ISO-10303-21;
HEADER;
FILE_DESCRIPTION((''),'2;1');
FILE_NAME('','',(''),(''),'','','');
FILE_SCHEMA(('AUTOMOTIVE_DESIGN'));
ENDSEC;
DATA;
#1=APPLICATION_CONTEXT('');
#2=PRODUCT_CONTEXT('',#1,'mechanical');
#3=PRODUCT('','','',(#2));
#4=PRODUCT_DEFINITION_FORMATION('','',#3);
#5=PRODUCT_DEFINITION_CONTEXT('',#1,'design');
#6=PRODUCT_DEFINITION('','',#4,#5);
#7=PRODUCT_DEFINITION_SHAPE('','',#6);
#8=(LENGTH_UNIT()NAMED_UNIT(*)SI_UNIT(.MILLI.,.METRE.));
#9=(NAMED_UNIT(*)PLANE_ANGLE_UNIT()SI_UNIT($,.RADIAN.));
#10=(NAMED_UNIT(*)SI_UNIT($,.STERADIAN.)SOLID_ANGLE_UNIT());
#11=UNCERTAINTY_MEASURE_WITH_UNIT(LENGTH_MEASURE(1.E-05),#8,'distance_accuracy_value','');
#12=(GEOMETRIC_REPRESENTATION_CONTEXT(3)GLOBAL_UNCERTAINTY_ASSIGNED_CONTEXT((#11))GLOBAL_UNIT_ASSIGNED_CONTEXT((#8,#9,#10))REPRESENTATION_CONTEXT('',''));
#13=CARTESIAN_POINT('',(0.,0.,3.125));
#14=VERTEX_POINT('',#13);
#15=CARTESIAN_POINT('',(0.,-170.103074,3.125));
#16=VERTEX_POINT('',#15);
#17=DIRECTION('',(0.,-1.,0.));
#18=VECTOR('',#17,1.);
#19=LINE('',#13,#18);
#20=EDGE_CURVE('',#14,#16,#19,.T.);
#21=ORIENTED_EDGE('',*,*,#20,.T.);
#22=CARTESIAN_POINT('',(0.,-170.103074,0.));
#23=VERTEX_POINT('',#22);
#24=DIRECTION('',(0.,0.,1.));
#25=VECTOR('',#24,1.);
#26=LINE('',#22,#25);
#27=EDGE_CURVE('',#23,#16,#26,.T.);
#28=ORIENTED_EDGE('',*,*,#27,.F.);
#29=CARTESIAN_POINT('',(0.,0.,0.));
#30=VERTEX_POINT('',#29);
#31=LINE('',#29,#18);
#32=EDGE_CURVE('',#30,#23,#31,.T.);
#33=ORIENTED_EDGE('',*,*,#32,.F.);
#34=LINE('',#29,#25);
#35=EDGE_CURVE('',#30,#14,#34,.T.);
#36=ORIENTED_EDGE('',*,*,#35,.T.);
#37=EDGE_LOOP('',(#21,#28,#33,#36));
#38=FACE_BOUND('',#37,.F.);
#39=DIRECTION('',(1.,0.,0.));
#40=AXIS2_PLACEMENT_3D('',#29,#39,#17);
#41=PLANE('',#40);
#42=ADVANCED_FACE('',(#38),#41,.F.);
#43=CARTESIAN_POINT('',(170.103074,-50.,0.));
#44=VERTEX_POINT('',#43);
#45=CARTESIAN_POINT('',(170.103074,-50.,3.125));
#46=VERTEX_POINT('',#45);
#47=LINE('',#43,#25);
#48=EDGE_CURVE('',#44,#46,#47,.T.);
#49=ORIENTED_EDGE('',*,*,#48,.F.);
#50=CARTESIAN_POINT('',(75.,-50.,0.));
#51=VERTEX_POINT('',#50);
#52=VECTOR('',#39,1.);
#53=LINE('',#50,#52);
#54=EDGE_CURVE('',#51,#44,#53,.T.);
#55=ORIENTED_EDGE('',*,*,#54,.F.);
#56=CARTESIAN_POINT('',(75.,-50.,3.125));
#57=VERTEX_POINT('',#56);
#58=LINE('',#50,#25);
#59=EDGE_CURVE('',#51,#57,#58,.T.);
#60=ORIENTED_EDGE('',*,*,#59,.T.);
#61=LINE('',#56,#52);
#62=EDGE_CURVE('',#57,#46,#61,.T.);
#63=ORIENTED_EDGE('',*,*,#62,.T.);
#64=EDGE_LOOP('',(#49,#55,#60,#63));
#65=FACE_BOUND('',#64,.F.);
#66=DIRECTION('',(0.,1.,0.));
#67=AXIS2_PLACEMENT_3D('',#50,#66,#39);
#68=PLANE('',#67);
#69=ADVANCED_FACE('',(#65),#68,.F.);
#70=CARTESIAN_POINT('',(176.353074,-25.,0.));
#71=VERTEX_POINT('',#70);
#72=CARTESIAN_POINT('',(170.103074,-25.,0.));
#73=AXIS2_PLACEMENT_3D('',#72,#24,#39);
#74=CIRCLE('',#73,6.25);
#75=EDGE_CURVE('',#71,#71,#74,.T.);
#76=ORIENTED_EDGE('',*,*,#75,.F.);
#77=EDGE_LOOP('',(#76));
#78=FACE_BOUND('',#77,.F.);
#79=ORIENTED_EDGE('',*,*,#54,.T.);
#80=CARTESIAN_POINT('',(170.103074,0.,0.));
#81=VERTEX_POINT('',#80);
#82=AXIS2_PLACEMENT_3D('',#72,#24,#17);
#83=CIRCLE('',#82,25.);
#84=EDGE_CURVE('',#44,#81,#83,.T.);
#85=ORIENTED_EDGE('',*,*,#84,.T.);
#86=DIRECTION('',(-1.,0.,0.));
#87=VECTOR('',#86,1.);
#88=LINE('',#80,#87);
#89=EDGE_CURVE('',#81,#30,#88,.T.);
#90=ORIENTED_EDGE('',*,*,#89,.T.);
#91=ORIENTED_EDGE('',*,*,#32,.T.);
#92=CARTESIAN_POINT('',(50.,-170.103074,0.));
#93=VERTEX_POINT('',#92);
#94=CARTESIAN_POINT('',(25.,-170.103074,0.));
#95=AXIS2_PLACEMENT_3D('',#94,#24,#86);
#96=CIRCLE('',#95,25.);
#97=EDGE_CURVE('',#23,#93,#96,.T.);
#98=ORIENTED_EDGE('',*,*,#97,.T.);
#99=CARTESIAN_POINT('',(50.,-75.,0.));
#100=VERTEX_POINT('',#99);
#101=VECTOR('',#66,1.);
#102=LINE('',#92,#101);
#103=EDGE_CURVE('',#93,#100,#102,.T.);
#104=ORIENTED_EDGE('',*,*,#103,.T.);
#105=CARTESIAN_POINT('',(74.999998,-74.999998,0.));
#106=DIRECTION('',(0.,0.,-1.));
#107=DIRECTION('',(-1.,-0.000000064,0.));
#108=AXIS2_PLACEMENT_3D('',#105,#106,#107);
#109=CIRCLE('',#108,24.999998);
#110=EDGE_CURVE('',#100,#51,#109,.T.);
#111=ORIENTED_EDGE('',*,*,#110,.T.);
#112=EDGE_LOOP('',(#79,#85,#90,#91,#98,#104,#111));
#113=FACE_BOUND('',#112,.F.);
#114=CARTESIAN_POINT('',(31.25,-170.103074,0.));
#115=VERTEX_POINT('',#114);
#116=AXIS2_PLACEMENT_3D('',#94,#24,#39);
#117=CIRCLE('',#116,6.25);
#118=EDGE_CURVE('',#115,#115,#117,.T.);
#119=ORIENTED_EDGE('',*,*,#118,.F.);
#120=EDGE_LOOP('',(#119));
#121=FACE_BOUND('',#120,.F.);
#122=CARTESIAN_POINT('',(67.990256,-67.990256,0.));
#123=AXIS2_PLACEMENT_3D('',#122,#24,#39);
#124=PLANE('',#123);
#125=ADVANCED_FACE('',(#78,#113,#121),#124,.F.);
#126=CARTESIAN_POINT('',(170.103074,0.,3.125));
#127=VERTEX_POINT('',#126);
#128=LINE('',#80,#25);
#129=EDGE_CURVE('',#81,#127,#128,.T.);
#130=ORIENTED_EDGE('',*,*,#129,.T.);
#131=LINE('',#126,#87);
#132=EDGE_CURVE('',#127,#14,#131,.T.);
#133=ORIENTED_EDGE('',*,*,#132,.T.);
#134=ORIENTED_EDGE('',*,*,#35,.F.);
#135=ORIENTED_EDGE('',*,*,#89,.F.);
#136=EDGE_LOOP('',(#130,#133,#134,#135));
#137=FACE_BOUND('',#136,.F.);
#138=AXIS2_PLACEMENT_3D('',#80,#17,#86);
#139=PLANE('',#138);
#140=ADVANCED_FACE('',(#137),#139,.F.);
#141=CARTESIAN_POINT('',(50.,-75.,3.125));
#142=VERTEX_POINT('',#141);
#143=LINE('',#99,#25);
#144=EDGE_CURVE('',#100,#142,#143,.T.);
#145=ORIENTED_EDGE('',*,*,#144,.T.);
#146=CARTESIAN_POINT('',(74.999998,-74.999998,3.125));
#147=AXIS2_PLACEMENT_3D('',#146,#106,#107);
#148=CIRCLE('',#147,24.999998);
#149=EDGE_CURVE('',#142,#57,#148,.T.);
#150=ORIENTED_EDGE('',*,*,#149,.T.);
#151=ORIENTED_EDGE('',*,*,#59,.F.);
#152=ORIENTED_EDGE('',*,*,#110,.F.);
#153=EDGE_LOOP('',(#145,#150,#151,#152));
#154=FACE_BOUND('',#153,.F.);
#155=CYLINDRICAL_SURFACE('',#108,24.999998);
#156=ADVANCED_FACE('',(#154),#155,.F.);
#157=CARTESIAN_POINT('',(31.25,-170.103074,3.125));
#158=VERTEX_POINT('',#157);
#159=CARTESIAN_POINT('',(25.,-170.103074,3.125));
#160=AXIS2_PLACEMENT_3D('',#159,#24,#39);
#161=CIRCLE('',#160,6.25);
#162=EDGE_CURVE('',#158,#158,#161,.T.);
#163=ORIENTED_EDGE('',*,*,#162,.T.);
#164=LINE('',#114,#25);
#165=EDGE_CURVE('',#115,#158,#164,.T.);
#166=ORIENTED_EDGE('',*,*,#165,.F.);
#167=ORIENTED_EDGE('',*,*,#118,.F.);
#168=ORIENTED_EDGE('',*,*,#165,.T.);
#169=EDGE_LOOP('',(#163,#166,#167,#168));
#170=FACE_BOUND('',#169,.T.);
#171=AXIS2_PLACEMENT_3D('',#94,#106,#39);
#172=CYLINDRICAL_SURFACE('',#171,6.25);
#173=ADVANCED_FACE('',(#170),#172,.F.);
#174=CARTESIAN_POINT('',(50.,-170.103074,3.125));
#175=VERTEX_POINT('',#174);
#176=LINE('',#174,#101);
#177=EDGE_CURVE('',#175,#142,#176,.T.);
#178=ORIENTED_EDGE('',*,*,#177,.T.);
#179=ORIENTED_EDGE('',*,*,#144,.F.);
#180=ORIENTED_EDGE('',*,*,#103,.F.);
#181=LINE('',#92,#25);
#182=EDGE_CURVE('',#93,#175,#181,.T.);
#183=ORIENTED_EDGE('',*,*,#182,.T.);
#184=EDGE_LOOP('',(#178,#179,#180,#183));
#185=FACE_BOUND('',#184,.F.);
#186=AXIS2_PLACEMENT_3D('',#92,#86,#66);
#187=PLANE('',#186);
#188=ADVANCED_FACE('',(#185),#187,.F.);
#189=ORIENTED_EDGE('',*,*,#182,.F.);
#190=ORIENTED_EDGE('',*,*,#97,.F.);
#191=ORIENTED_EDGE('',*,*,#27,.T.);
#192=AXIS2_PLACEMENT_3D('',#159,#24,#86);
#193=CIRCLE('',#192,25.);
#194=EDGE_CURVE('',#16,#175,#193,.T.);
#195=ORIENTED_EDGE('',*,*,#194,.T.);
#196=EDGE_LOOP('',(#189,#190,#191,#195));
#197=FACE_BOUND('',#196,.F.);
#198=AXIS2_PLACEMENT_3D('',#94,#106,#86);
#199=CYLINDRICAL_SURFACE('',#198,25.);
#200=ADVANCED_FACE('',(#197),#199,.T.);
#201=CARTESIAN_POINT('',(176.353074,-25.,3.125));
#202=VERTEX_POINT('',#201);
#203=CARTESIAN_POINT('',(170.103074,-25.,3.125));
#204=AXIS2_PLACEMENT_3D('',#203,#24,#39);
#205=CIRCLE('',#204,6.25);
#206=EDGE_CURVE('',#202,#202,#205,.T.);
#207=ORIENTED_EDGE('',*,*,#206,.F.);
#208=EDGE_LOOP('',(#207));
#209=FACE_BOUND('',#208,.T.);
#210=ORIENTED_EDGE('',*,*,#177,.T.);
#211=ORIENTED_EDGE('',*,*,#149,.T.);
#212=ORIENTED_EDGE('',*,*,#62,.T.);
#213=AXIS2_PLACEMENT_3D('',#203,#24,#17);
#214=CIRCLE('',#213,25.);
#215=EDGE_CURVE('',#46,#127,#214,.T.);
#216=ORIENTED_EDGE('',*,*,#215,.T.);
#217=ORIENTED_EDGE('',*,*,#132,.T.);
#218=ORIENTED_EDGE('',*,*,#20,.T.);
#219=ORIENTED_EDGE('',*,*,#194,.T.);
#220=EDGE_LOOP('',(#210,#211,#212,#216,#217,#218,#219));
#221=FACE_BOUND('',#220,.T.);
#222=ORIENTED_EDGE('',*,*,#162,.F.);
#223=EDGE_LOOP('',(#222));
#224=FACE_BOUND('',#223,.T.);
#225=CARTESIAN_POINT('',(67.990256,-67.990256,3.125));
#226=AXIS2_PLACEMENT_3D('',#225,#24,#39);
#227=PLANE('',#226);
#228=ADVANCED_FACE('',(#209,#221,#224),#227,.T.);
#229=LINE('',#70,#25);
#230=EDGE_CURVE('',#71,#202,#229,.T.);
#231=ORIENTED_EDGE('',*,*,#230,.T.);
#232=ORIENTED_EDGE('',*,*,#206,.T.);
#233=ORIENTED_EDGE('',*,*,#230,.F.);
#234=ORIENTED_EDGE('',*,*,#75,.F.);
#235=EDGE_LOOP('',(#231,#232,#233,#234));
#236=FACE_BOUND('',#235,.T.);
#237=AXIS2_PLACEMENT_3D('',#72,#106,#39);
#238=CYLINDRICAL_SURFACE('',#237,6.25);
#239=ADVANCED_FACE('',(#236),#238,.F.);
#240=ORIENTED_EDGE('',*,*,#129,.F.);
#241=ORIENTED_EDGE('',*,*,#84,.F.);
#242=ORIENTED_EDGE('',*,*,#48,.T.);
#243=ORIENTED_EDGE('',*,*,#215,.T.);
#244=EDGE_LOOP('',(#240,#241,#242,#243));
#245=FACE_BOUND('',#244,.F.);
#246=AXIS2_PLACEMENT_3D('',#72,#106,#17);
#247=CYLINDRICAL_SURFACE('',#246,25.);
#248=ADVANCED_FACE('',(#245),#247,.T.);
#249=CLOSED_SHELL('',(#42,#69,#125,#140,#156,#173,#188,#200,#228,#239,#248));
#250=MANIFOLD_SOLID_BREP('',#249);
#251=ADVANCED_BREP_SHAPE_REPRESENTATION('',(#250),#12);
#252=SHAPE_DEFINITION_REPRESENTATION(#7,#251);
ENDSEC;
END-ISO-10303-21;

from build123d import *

# Parameters (mm, degrees)
F0_R     = 6.25
F1_DEPTH = 3.125


with BuildPart() as f1:
    # F0 (on Top) → F1 (new body)
    with BuildSketch(Plane.XY):
        with BuildLine():
            ThreePointArc((170.103074, -50), (195.103074, -25), (170.103074, 0))
            Line((170.103074, 0), (0, 0))
            Line((0, 0), (0, -170.103074))
            ThreePointArc((0, -170.103074), (25, -195.103074), (50, -170.103074))
            Line((50, -170.103074), (50, -75))
            ThreePointArc((50, -75), (57.32233, -57.32233), (75, -50))
            Line((75, -50), (170.103074, -50))
        make_face()
        with Locations((25, -170.103074)):
            Circle(F0_R, mode=Mode.SUBTRACT)
        with Locations((170.103074, -25)):
            Circle(F0_R, mode=Mode.SUBTRACT)
    extrude(amount=F1_DEPTH)


solid = f1.part
